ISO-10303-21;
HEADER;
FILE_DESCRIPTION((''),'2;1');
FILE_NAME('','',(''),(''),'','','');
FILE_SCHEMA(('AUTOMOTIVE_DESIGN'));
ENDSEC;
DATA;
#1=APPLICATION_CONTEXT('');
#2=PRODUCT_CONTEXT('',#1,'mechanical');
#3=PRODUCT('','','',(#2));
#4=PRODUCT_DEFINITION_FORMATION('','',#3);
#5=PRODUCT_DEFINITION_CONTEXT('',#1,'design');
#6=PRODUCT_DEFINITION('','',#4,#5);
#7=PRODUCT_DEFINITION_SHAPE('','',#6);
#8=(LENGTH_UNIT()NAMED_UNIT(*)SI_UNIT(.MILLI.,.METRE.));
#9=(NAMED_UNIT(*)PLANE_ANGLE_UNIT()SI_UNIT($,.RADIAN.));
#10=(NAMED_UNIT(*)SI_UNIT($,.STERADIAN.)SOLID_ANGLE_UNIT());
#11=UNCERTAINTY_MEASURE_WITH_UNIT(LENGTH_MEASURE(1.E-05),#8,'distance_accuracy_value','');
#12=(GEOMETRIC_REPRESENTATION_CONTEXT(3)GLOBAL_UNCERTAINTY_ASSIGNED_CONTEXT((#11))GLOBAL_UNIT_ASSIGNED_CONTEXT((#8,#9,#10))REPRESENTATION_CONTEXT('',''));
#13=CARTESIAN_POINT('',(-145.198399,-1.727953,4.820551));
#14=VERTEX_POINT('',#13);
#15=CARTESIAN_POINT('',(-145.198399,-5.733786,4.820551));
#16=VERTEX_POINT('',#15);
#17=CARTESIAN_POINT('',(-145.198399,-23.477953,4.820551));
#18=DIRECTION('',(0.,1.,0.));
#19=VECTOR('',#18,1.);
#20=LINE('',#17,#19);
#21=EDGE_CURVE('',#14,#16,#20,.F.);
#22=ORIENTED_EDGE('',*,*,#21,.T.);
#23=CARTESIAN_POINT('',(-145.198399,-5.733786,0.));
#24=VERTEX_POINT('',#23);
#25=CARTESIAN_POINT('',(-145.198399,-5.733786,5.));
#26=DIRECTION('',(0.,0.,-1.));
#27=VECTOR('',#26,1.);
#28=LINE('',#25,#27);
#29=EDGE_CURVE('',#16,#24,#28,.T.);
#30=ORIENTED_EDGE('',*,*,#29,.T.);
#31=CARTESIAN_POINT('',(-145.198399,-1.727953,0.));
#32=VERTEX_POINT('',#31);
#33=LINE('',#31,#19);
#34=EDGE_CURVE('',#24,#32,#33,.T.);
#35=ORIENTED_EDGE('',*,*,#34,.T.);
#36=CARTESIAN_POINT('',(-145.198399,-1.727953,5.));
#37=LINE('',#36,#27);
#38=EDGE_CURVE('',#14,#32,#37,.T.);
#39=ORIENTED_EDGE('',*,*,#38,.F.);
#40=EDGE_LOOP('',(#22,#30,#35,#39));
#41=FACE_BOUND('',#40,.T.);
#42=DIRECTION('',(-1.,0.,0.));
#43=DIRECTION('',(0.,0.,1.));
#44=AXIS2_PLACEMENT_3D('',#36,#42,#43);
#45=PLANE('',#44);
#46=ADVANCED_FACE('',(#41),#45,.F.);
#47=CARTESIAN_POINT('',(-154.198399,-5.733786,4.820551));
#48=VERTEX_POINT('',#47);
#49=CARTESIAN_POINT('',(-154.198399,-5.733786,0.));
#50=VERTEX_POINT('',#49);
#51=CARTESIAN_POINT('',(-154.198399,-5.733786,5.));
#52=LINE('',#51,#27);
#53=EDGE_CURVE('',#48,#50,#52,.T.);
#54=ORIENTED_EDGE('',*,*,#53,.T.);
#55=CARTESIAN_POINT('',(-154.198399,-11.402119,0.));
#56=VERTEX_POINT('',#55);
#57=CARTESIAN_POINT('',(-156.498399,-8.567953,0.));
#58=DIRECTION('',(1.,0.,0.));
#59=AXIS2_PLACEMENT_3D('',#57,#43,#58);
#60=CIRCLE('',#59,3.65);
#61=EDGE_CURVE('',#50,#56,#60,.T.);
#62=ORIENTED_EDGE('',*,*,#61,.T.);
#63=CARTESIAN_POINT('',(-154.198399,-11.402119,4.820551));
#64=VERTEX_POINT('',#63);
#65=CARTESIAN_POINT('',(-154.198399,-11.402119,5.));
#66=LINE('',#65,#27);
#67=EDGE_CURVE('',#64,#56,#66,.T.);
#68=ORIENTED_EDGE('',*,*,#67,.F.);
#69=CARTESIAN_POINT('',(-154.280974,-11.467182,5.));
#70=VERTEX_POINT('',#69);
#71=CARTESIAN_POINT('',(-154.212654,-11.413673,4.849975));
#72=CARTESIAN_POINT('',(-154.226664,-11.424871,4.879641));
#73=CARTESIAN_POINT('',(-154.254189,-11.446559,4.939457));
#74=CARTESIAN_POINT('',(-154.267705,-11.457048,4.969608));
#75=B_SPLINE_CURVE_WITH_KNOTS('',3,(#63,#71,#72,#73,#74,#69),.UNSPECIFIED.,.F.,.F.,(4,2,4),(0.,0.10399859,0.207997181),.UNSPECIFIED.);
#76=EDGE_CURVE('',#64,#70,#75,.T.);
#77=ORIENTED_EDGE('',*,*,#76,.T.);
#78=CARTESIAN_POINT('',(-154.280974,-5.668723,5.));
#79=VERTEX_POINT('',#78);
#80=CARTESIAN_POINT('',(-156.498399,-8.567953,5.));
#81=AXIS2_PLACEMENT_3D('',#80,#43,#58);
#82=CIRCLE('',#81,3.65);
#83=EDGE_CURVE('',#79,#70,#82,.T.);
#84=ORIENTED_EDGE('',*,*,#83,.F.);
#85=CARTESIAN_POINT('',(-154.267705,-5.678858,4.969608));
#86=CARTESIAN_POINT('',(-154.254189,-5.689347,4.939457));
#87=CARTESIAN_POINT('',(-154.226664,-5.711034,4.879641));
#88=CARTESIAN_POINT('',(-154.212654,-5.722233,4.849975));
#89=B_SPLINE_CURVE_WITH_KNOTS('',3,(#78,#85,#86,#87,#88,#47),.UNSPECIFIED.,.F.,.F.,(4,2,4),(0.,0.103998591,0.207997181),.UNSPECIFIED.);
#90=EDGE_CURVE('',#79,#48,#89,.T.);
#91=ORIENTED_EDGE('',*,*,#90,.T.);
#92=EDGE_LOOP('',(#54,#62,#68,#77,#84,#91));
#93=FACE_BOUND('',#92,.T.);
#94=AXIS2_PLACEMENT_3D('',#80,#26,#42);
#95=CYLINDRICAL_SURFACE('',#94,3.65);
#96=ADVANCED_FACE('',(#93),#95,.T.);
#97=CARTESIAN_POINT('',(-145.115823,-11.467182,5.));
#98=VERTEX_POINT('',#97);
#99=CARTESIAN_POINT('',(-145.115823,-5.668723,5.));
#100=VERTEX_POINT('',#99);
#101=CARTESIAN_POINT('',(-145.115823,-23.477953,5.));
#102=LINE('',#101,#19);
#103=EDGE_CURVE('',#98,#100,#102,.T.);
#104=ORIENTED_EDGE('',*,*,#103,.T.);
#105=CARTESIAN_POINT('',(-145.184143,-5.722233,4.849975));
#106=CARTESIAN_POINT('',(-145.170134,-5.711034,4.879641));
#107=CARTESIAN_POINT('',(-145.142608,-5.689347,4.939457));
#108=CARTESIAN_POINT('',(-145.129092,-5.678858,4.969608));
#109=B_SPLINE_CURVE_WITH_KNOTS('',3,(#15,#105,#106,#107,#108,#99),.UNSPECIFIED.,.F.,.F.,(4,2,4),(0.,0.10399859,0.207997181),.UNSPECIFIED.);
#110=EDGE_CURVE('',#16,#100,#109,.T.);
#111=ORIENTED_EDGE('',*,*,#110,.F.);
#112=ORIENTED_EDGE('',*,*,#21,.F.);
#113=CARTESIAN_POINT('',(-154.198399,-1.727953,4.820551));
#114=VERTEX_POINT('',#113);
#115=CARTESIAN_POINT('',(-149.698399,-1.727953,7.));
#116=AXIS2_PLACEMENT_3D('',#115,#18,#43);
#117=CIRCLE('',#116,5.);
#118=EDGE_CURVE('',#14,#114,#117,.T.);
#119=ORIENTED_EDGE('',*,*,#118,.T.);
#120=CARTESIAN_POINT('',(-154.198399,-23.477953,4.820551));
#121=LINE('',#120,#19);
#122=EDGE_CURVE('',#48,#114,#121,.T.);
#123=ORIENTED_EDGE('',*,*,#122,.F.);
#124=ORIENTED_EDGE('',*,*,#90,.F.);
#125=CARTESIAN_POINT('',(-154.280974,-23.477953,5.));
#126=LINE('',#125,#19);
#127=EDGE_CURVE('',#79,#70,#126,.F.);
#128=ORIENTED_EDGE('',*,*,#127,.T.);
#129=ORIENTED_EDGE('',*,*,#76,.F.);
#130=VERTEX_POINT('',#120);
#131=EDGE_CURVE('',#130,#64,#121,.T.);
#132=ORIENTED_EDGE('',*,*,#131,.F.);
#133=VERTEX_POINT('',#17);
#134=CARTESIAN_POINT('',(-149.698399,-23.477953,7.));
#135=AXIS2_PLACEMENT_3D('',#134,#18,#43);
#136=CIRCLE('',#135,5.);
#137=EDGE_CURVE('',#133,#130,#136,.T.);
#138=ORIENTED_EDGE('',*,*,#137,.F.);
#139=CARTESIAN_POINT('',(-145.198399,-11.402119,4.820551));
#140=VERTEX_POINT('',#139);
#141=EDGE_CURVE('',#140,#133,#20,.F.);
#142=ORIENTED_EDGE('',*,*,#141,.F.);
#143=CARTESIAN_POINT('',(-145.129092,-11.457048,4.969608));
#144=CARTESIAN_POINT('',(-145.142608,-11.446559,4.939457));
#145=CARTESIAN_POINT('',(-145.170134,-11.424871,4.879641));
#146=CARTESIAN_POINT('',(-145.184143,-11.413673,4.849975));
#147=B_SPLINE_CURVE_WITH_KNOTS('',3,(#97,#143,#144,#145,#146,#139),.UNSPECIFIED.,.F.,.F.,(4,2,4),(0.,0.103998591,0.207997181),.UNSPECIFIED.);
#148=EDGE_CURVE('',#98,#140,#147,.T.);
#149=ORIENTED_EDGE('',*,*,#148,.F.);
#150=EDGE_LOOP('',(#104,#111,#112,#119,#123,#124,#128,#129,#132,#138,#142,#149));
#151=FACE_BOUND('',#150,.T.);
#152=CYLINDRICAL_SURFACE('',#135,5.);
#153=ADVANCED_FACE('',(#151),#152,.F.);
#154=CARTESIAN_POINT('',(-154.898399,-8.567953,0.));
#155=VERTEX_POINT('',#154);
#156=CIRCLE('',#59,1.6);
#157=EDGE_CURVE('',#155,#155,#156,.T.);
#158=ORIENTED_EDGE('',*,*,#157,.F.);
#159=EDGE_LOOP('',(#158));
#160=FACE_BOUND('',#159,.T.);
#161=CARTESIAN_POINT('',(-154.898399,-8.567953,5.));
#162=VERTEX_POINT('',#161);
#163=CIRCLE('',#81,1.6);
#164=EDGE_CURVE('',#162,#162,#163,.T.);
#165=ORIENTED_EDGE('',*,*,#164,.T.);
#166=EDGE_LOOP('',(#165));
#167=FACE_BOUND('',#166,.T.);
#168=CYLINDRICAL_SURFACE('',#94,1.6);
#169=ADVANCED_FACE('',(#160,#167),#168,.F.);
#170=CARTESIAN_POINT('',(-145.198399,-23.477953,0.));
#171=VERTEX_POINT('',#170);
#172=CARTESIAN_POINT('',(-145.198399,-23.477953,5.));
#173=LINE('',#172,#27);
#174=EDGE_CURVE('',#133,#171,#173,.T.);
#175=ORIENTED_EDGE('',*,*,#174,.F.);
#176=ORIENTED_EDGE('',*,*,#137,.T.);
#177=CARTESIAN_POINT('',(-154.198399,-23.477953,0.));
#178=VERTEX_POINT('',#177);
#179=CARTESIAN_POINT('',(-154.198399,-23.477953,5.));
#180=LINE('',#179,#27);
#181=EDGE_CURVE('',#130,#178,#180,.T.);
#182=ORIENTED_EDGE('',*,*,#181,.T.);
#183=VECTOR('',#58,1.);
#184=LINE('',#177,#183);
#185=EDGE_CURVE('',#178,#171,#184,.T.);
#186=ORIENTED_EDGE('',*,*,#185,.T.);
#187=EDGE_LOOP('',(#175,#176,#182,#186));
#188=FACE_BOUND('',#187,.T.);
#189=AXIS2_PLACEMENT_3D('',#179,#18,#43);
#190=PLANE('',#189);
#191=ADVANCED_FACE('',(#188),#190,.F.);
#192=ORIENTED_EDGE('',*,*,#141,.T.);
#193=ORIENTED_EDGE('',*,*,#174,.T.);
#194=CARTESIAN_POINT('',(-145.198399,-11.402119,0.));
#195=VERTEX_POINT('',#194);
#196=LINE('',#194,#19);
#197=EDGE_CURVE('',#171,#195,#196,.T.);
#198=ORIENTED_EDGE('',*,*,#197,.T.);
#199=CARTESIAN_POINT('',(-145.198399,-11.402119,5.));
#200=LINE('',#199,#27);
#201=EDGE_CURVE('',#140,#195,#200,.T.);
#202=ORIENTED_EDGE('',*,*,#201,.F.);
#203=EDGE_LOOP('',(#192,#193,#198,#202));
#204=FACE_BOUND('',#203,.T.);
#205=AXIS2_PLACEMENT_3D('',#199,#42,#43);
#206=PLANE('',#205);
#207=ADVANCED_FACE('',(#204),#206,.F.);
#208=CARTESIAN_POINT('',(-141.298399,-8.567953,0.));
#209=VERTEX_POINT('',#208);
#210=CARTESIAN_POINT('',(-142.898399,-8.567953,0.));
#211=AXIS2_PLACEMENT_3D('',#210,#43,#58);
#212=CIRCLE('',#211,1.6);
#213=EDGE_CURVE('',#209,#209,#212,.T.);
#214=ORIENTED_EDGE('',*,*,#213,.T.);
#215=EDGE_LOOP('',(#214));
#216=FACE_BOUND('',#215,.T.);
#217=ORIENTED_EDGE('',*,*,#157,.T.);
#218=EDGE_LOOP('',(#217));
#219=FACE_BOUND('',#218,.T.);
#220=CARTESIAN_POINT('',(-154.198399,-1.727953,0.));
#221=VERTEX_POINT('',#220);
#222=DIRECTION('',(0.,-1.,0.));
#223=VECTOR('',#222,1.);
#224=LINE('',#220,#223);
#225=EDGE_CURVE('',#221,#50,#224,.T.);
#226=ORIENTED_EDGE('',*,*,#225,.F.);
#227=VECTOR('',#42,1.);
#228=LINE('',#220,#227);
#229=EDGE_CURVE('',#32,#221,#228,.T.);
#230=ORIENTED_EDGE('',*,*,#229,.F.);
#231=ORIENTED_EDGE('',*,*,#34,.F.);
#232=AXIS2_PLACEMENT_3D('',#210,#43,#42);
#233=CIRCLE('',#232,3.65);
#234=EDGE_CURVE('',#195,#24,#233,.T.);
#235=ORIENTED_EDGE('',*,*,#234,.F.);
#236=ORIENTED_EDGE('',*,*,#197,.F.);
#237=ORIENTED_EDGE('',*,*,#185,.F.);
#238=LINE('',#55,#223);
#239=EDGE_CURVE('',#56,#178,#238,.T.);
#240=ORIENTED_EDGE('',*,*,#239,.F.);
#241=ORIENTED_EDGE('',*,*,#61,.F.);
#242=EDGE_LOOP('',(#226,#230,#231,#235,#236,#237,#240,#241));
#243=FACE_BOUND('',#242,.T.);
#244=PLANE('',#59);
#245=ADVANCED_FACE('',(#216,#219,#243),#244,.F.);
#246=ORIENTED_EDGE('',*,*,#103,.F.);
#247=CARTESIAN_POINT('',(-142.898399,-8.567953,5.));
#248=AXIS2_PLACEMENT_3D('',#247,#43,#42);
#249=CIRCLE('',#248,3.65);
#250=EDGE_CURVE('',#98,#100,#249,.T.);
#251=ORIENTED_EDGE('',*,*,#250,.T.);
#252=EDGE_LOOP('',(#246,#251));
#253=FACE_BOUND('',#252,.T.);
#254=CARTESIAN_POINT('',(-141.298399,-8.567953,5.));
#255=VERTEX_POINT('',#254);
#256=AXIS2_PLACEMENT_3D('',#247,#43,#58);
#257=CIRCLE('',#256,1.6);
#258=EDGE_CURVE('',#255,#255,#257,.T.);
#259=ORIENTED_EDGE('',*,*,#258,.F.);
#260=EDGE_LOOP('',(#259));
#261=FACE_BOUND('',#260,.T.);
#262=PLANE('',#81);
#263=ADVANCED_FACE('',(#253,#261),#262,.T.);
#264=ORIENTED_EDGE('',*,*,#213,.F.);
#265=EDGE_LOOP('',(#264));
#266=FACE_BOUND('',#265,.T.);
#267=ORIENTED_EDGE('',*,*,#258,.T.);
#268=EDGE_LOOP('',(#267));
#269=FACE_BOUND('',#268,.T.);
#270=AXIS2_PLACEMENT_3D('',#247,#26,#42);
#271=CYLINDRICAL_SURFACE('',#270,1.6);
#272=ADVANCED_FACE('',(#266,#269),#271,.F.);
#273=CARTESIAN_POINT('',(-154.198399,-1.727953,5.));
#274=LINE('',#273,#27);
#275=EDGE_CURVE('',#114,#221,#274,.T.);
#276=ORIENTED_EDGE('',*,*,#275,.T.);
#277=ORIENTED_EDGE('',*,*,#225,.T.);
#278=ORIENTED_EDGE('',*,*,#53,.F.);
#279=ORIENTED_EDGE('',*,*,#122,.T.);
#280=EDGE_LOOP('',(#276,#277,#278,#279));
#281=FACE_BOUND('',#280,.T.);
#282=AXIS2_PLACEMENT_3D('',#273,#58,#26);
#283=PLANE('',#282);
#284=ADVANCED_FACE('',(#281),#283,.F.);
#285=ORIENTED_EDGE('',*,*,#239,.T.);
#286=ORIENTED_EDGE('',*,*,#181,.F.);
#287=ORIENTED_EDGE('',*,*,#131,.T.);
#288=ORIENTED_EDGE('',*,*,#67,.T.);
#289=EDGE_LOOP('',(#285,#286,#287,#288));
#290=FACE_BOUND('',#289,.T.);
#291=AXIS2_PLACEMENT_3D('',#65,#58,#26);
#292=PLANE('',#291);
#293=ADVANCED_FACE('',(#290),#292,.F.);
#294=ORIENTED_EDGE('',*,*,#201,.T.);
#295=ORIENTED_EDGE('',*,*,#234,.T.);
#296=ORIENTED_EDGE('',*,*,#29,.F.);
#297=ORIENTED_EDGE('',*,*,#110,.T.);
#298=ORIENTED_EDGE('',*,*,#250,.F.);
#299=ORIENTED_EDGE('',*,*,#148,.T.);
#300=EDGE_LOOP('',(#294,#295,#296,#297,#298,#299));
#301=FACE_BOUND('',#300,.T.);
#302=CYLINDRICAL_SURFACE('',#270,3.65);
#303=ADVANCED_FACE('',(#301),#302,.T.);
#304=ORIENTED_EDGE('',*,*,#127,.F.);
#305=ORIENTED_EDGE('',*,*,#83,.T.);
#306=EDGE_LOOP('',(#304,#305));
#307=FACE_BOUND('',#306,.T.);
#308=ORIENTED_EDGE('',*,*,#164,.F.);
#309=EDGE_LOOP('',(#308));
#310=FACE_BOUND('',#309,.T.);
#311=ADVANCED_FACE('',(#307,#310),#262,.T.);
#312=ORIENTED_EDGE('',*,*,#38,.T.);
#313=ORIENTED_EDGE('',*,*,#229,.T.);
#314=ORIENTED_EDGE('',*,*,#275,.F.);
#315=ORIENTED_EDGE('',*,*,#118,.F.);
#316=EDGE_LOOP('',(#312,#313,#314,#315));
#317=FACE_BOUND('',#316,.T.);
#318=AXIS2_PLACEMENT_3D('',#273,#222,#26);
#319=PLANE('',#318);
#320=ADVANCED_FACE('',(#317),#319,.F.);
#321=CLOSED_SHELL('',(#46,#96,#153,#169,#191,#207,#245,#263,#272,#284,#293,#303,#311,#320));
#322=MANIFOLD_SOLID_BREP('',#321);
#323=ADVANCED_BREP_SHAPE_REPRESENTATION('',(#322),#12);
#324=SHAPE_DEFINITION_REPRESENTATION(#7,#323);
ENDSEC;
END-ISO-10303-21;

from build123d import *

# Parameters (mm, degrees)
SKETCH1_R           = 1.6
BOSS_EXTRUDE1_DEPTH = 5
SKETCH2_R           = 5
CUT_EXTRUDE1_DEPTH  = 162.695924751


with BuildPart() as part:
    # Sketch1 → Boss-Extrude1 (new body)
    with BuildSketch(Plane.XY):
        with BuildLine():
            Line((-154.198398621, -11.402119157), (-154.198398621, -23.477952613))
            Line((-154.198398621, -23.477952613), (-145.198398621, -23.477952613))
            Line((-145.198398621, -23.477952613), (-145.198398621, -11.402119157))
            ThreePointArc((-145.198398621, -11.402119157), (-139.248398621, -8.567952613), (-145.198398621, -5.733786068))
            Line((-145.198398621, -5.733786068), (-145.198398621, -1.727952613))
            Line((-145.198398621, -1.727952613), (-154.198398621, -1.727952613))
            Line((-154.198398621, -1.727952613), (-154.198398621, -5.733786068))
            ThreePointArc((-154.198398621, -5.733786068), (-160.148398621, -8.567952613), (-154.198398621, -11.402119157))
        make_face()
        with Locations((-156.498398621, -8.567952613)):
            Circle(SKETCH1_R, mode=Mode.SUBTRACT)
        with Locations((-142.898398621, -8.567952613)):
            Circle(SKETCH1_R, mode=Mode.SUBTRACT)
    extrude(amount=BOSS_EXTRUDE1_DEPTH)

    # Sketch2 → Cut-Extrude1 (cut, through all)
    with BuildSketch(Plane(origin=(0, -1.727952613, 0), x_dir=(1, 0, 0), z_dir=(0, 1, 0))):
        with Locations((-149.698398621, -7)):
            Circle(SKETCH2_R)
    extrude(amount=-CUT_EXTRUDE1_DEPTH, mode=Mode.SUBTRACT)


solid = part.part
